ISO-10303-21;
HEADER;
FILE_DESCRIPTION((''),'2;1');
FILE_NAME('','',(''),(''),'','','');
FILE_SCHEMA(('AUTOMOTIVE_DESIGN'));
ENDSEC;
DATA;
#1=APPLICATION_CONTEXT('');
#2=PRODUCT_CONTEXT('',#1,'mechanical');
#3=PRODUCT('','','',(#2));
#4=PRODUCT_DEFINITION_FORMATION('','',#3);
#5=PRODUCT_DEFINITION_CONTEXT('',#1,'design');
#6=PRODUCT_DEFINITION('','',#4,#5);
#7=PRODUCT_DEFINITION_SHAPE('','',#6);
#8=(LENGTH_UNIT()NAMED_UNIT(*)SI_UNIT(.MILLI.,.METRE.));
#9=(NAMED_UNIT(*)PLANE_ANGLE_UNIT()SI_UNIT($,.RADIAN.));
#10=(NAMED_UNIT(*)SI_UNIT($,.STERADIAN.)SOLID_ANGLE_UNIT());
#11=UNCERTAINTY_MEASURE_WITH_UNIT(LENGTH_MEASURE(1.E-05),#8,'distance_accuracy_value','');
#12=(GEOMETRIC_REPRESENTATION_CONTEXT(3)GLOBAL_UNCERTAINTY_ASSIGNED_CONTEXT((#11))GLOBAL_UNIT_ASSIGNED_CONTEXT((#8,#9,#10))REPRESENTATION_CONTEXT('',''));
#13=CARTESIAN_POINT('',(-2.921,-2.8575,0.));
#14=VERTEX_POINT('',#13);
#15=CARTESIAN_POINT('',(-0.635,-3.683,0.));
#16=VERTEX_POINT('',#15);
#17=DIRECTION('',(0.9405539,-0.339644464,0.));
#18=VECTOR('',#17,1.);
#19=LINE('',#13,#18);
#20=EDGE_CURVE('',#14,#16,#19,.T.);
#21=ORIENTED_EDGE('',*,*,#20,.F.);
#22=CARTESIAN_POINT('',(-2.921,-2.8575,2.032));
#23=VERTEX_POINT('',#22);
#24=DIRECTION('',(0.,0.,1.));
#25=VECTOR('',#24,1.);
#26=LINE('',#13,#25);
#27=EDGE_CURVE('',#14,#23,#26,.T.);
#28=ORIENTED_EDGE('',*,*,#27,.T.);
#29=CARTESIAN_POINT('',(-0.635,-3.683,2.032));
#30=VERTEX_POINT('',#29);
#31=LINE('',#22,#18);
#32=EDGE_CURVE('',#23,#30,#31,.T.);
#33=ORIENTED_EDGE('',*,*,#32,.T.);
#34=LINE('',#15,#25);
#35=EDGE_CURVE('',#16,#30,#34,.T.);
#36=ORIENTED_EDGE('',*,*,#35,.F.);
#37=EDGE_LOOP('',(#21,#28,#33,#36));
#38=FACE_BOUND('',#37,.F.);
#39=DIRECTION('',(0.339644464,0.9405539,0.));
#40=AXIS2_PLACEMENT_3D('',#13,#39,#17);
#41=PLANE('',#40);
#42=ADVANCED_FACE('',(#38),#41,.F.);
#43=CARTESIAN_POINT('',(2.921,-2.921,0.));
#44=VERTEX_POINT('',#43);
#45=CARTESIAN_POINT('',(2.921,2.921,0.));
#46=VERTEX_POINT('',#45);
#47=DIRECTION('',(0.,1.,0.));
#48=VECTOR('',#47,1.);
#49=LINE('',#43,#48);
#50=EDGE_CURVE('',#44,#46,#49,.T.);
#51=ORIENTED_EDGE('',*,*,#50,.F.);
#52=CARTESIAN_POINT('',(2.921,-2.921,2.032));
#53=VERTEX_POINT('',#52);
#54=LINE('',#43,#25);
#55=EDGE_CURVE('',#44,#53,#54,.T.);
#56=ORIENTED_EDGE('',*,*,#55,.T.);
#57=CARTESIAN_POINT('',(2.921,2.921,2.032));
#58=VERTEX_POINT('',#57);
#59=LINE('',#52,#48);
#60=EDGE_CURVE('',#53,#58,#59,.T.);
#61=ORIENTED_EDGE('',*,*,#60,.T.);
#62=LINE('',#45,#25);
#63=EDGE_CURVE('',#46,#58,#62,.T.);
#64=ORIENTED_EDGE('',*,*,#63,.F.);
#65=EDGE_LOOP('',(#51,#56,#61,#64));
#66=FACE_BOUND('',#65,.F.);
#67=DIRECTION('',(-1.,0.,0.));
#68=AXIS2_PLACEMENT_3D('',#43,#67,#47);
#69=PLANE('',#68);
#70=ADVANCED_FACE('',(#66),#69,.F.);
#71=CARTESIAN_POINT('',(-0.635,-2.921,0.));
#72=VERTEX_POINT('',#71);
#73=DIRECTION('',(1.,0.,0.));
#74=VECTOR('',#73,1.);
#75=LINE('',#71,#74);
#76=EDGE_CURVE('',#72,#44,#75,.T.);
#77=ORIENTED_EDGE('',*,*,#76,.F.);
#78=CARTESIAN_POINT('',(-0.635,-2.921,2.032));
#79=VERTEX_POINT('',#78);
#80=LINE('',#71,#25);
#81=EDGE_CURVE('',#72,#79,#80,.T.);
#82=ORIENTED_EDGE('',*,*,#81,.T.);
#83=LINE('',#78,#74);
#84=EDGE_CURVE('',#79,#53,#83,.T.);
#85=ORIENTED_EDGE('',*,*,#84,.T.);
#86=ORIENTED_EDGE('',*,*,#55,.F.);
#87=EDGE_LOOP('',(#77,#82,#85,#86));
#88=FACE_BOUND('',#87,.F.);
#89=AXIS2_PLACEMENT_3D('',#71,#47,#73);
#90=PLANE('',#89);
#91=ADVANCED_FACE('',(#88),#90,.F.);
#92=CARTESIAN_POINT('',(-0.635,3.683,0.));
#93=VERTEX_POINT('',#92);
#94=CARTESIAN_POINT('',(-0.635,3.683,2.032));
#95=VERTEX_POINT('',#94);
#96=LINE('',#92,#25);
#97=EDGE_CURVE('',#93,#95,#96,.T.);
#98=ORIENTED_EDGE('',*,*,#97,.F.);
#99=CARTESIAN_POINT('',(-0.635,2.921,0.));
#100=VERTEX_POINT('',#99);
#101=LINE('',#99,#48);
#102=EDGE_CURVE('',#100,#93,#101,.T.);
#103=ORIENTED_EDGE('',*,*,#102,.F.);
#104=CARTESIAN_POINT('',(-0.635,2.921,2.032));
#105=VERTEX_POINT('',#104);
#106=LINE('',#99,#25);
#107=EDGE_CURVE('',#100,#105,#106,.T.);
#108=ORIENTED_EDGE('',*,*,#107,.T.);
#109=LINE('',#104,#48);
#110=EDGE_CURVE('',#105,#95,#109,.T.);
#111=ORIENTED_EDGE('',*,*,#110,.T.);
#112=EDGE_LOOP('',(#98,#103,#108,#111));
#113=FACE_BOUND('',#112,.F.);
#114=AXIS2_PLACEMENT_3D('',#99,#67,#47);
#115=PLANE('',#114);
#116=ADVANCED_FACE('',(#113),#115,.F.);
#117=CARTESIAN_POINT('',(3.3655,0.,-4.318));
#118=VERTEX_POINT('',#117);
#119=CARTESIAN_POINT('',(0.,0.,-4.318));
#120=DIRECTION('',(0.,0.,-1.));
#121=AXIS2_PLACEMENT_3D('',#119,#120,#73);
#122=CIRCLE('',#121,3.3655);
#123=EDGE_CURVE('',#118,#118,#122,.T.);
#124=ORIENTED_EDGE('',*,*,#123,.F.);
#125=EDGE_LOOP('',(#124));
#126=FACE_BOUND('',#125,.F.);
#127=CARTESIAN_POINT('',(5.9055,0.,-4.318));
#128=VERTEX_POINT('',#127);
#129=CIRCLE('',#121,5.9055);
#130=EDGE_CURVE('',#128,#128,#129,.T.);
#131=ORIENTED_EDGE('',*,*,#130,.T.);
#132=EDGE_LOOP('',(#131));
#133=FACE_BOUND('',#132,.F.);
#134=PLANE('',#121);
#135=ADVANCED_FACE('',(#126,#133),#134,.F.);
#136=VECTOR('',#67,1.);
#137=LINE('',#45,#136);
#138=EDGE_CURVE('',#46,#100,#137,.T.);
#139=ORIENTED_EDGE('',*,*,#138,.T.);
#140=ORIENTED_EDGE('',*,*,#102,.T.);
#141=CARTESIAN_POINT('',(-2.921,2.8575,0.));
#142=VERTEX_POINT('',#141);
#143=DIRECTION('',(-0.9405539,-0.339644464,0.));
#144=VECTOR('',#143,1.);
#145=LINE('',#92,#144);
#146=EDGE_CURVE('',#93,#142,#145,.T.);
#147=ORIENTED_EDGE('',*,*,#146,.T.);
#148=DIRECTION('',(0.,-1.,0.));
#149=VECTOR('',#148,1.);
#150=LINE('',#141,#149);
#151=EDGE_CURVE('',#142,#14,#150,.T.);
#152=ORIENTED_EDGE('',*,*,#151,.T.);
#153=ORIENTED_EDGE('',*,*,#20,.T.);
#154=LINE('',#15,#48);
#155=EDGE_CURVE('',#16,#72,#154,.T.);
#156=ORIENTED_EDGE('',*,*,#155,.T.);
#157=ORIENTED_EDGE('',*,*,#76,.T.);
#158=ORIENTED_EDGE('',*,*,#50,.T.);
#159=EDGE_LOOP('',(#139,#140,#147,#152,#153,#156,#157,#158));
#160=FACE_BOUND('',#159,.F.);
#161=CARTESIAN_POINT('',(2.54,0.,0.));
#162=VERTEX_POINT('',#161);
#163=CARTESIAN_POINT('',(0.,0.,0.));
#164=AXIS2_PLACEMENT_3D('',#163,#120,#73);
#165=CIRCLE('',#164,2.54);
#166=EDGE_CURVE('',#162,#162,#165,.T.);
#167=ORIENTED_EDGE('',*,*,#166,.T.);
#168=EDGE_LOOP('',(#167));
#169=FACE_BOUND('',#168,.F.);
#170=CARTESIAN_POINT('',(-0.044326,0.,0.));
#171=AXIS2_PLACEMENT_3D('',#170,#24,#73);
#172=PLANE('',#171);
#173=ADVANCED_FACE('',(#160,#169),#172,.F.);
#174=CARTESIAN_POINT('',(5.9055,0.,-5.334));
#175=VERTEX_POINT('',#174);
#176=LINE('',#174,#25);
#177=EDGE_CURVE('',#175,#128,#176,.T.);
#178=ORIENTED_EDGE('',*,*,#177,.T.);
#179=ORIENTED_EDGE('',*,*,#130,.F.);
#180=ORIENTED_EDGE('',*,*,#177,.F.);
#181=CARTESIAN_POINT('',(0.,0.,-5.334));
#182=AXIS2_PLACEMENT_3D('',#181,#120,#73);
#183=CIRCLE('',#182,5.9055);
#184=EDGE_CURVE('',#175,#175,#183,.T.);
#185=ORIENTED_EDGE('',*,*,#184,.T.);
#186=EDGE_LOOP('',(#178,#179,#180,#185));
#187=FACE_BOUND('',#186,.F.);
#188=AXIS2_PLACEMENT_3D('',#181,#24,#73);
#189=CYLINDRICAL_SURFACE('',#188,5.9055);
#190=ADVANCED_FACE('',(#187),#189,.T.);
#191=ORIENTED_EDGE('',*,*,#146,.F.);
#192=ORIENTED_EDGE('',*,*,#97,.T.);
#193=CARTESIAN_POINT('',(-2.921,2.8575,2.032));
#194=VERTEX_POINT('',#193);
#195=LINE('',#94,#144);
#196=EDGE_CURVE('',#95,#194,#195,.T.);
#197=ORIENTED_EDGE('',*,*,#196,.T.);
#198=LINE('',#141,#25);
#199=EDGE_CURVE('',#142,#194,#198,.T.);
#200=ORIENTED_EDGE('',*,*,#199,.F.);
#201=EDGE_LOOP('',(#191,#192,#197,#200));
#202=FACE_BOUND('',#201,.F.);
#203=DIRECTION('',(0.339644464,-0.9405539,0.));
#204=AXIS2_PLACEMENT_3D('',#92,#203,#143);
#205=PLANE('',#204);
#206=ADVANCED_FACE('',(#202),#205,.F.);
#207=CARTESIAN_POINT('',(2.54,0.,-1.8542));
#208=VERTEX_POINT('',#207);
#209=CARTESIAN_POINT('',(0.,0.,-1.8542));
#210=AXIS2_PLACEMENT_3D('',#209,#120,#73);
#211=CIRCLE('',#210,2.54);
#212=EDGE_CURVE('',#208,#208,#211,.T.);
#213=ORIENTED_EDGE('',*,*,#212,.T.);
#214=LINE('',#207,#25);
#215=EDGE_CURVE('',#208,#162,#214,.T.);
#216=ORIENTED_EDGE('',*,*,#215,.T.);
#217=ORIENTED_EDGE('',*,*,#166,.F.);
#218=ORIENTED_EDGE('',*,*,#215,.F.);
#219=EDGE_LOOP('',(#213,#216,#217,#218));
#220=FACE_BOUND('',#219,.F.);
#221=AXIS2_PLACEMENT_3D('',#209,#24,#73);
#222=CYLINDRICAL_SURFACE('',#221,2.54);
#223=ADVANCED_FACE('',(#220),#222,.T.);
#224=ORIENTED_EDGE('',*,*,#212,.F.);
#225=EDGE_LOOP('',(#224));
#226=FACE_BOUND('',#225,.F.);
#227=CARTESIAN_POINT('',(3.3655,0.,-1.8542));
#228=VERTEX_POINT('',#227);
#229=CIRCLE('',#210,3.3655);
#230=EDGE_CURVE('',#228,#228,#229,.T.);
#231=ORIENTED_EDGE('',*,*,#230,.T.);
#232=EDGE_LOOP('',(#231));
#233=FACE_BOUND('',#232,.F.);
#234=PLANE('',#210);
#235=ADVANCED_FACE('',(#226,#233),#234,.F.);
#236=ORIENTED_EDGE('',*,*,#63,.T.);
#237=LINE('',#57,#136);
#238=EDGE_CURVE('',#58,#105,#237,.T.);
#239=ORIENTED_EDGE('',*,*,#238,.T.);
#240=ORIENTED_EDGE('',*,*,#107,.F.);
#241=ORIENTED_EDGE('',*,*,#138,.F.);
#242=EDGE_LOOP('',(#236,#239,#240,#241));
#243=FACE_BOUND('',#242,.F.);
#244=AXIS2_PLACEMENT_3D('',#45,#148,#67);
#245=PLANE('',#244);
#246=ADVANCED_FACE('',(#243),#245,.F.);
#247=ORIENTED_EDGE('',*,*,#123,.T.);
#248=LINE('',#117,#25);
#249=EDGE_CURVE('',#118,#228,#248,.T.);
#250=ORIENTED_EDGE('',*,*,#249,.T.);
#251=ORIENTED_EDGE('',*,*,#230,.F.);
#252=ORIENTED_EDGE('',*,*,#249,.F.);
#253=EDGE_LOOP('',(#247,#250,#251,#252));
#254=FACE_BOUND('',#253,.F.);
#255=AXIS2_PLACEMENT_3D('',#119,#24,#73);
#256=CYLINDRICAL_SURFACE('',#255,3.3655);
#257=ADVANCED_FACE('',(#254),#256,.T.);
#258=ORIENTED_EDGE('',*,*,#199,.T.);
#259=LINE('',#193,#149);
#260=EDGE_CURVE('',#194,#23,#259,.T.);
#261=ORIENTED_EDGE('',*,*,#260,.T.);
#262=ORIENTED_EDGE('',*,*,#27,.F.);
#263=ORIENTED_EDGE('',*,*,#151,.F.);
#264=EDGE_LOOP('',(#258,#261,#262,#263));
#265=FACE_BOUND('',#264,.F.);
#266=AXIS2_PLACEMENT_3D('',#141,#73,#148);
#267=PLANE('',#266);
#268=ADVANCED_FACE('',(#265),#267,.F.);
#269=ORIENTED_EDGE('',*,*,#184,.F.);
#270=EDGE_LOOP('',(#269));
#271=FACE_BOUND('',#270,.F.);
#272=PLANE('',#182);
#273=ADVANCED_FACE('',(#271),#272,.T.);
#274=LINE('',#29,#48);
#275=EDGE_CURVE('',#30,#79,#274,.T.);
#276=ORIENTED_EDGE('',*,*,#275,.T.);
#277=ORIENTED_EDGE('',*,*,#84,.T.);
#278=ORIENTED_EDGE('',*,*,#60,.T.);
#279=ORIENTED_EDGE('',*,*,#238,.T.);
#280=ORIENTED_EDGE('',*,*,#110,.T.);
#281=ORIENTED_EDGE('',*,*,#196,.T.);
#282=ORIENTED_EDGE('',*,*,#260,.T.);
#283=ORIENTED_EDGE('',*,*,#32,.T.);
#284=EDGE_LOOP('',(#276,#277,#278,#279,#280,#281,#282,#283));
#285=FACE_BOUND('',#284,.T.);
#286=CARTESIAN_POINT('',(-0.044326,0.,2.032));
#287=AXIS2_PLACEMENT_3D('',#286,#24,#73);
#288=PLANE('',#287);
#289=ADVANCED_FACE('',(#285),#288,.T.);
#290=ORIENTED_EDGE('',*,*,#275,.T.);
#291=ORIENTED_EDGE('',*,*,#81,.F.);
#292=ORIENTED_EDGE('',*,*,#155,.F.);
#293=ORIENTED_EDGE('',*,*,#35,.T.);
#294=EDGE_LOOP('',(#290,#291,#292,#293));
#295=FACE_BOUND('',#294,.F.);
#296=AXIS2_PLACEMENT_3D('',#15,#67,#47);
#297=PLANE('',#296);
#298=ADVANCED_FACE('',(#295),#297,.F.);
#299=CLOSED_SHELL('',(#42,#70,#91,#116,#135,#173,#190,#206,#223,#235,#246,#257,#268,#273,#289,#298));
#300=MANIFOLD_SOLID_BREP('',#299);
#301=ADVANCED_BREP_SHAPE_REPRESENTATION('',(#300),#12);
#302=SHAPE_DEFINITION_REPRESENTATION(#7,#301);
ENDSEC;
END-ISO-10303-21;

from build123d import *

# Parameters (mm, degrees)
F4_DEPTH = 2.032


with BuildPart() as f2:
    # F0 (on Front) → F2 (revolve)
    with BuildSketch(Plane.XZ):
        Polygon((2.54, 0), (0, 0), (0, -5.334), (5.9055, -5.334), (5.9055, -4.318), (3.3655, -4.318), (3.3655, -1.8542), (2.54, -1.8542), align=None)
    revolve(axis=Axis((0, 0, 5.04056), (0, 0, -1)))

    # F3 (on Top) → F4 (join)
    with BuildSketch(Plane.XY):
        Polygon((2.921, 2.921), (-0.635, 2.921), (-0.635, 3.683), (-2.921, 2.8575), (-2.921, -2.8575), (-0.635, -3.683), (-0.635, -2.921), (2.921, -2.921), align=None)
    extrude(amount=F4_DEPTH)


solid = f2.part
